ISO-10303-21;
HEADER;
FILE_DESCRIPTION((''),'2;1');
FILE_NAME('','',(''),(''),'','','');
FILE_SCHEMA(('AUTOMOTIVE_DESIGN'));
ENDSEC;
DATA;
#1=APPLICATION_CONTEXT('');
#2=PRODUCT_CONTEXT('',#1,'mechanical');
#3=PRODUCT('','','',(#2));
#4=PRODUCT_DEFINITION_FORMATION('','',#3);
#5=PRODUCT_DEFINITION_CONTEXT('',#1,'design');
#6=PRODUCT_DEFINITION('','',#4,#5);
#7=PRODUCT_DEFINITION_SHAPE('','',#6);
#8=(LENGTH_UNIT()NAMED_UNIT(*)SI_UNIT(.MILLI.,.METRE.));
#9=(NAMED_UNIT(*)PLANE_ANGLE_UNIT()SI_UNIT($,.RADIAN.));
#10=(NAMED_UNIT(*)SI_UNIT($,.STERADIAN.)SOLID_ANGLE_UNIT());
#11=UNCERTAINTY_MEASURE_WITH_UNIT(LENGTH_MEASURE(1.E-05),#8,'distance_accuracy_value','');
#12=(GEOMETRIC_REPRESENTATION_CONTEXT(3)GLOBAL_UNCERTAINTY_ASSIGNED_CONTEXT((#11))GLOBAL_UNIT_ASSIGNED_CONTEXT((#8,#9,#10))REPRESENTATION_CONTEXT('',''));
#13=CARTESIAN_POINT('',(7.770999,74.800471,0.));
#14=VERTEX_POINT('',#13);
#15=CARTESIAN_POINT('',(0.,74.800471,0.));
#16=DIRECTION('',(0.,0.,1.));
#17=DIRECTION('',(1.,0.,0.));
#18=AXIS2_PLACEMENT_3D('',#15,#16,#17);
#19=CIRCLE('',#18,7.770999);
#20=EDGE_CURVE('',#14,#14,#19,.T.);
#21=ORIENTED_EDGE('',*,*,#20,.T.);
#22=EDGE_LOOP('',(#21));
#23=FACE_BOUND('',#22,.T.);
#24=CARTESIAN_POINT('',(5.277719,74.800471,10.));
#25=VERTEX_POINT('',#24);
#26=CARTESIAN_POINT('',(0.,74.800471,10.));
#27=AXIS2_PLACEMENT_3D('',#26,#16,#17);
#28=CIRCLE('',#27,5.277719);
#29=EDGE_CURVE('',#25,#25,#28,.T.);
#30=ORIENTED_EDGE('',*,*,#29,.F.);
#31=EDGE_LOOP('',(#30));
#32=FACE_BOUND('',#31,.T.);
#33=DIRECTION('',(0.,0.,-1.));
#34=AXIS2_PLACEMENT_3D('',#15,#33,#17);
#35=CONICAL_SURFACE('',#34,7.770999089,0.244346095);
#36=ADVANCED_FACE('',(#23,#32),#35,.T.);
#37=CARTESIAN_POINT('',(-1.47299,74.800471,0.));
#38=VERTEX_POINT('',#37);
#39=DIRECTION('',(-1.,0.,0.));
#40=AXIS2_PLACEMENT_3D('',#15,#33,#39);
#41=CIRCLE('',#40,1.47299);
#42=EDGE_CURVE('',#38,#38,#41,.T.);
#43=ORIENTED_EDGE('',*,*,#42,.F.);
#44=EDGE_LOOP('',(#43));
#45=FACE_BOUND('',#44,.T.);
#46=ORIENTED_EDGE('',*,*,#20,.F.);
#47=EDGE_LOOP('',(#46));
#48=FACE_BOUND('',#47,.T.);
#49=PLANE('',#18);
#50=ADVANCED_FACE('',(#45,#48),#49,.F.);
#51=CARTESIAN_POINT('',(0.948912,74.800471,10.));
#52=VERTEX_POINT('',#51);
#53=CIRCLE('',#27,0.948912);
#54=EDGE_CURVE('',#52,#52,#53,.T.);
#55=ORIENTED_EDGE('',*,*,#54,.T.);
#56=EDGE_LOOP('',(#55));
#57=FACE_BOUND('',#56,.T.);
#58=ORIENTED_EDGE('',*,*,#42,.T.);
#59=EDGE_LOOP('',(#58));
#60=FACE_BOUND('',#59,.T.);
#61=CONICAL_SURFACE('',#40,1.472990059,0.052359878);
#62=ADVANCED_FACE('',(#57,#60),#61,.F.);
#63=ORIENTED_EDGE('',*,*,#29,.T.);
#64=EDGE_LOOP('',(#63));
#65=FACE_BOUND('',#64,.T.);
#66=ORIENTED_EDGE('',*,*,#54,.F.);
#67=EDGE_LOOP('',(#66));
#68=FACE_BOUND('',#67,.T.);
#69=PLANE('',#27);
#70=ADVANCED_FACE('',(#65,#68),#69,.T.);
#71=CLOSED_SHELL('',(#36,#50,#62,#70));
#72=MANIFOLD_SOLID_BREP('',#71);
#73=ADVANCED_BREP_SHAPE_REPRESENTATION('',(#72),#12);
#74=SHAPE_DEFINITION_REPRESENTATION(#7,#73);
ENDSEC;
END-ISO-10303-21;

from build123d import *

# Parameters (mm, degrees)
CROQUIS1_R              = 7.770999089
SALIENTE_EXTRUIR1_DEPTH = 10
SALIENTE_EXTRUIR1_TAPER = 14
CROQUIS2_R              = 1.472990059
CORTAR_EXTRUIR1_DEPTH   = 13.836066171
CORTAR_EXTRUIR1_TAPER   = 3


with BuildPart() as part:
    # Croquis1 → Saliente-Extruir1 (new body)
    with BuildSketch(Plane.XY):
        with Locations((0, 74.800471215)):
            Circle(CROQUIS1_R)
    extrude(amount=SALIENTE_EXTRUIR1_DEPTH, taper=SALIENTE_EXTRUIR1_TAPER)

    # Croquis2 → Cortar-Extruir1 (cut)
    with BuildSketch(Plane(origin=(0, 0, 0), x_dir=(-1, 0, 0), z_dir=(0, 0, -1))):
        with Locations((0, 74.800471215)):
            Circle(CROQUIS2_R)
    extrude(amount=-CORTAR_EXTRUIR1_DEPTH, taper=CORTAR_EXTRUIR1_TAPER, mode=Mode.SUBTRACT)


solid = part.part
